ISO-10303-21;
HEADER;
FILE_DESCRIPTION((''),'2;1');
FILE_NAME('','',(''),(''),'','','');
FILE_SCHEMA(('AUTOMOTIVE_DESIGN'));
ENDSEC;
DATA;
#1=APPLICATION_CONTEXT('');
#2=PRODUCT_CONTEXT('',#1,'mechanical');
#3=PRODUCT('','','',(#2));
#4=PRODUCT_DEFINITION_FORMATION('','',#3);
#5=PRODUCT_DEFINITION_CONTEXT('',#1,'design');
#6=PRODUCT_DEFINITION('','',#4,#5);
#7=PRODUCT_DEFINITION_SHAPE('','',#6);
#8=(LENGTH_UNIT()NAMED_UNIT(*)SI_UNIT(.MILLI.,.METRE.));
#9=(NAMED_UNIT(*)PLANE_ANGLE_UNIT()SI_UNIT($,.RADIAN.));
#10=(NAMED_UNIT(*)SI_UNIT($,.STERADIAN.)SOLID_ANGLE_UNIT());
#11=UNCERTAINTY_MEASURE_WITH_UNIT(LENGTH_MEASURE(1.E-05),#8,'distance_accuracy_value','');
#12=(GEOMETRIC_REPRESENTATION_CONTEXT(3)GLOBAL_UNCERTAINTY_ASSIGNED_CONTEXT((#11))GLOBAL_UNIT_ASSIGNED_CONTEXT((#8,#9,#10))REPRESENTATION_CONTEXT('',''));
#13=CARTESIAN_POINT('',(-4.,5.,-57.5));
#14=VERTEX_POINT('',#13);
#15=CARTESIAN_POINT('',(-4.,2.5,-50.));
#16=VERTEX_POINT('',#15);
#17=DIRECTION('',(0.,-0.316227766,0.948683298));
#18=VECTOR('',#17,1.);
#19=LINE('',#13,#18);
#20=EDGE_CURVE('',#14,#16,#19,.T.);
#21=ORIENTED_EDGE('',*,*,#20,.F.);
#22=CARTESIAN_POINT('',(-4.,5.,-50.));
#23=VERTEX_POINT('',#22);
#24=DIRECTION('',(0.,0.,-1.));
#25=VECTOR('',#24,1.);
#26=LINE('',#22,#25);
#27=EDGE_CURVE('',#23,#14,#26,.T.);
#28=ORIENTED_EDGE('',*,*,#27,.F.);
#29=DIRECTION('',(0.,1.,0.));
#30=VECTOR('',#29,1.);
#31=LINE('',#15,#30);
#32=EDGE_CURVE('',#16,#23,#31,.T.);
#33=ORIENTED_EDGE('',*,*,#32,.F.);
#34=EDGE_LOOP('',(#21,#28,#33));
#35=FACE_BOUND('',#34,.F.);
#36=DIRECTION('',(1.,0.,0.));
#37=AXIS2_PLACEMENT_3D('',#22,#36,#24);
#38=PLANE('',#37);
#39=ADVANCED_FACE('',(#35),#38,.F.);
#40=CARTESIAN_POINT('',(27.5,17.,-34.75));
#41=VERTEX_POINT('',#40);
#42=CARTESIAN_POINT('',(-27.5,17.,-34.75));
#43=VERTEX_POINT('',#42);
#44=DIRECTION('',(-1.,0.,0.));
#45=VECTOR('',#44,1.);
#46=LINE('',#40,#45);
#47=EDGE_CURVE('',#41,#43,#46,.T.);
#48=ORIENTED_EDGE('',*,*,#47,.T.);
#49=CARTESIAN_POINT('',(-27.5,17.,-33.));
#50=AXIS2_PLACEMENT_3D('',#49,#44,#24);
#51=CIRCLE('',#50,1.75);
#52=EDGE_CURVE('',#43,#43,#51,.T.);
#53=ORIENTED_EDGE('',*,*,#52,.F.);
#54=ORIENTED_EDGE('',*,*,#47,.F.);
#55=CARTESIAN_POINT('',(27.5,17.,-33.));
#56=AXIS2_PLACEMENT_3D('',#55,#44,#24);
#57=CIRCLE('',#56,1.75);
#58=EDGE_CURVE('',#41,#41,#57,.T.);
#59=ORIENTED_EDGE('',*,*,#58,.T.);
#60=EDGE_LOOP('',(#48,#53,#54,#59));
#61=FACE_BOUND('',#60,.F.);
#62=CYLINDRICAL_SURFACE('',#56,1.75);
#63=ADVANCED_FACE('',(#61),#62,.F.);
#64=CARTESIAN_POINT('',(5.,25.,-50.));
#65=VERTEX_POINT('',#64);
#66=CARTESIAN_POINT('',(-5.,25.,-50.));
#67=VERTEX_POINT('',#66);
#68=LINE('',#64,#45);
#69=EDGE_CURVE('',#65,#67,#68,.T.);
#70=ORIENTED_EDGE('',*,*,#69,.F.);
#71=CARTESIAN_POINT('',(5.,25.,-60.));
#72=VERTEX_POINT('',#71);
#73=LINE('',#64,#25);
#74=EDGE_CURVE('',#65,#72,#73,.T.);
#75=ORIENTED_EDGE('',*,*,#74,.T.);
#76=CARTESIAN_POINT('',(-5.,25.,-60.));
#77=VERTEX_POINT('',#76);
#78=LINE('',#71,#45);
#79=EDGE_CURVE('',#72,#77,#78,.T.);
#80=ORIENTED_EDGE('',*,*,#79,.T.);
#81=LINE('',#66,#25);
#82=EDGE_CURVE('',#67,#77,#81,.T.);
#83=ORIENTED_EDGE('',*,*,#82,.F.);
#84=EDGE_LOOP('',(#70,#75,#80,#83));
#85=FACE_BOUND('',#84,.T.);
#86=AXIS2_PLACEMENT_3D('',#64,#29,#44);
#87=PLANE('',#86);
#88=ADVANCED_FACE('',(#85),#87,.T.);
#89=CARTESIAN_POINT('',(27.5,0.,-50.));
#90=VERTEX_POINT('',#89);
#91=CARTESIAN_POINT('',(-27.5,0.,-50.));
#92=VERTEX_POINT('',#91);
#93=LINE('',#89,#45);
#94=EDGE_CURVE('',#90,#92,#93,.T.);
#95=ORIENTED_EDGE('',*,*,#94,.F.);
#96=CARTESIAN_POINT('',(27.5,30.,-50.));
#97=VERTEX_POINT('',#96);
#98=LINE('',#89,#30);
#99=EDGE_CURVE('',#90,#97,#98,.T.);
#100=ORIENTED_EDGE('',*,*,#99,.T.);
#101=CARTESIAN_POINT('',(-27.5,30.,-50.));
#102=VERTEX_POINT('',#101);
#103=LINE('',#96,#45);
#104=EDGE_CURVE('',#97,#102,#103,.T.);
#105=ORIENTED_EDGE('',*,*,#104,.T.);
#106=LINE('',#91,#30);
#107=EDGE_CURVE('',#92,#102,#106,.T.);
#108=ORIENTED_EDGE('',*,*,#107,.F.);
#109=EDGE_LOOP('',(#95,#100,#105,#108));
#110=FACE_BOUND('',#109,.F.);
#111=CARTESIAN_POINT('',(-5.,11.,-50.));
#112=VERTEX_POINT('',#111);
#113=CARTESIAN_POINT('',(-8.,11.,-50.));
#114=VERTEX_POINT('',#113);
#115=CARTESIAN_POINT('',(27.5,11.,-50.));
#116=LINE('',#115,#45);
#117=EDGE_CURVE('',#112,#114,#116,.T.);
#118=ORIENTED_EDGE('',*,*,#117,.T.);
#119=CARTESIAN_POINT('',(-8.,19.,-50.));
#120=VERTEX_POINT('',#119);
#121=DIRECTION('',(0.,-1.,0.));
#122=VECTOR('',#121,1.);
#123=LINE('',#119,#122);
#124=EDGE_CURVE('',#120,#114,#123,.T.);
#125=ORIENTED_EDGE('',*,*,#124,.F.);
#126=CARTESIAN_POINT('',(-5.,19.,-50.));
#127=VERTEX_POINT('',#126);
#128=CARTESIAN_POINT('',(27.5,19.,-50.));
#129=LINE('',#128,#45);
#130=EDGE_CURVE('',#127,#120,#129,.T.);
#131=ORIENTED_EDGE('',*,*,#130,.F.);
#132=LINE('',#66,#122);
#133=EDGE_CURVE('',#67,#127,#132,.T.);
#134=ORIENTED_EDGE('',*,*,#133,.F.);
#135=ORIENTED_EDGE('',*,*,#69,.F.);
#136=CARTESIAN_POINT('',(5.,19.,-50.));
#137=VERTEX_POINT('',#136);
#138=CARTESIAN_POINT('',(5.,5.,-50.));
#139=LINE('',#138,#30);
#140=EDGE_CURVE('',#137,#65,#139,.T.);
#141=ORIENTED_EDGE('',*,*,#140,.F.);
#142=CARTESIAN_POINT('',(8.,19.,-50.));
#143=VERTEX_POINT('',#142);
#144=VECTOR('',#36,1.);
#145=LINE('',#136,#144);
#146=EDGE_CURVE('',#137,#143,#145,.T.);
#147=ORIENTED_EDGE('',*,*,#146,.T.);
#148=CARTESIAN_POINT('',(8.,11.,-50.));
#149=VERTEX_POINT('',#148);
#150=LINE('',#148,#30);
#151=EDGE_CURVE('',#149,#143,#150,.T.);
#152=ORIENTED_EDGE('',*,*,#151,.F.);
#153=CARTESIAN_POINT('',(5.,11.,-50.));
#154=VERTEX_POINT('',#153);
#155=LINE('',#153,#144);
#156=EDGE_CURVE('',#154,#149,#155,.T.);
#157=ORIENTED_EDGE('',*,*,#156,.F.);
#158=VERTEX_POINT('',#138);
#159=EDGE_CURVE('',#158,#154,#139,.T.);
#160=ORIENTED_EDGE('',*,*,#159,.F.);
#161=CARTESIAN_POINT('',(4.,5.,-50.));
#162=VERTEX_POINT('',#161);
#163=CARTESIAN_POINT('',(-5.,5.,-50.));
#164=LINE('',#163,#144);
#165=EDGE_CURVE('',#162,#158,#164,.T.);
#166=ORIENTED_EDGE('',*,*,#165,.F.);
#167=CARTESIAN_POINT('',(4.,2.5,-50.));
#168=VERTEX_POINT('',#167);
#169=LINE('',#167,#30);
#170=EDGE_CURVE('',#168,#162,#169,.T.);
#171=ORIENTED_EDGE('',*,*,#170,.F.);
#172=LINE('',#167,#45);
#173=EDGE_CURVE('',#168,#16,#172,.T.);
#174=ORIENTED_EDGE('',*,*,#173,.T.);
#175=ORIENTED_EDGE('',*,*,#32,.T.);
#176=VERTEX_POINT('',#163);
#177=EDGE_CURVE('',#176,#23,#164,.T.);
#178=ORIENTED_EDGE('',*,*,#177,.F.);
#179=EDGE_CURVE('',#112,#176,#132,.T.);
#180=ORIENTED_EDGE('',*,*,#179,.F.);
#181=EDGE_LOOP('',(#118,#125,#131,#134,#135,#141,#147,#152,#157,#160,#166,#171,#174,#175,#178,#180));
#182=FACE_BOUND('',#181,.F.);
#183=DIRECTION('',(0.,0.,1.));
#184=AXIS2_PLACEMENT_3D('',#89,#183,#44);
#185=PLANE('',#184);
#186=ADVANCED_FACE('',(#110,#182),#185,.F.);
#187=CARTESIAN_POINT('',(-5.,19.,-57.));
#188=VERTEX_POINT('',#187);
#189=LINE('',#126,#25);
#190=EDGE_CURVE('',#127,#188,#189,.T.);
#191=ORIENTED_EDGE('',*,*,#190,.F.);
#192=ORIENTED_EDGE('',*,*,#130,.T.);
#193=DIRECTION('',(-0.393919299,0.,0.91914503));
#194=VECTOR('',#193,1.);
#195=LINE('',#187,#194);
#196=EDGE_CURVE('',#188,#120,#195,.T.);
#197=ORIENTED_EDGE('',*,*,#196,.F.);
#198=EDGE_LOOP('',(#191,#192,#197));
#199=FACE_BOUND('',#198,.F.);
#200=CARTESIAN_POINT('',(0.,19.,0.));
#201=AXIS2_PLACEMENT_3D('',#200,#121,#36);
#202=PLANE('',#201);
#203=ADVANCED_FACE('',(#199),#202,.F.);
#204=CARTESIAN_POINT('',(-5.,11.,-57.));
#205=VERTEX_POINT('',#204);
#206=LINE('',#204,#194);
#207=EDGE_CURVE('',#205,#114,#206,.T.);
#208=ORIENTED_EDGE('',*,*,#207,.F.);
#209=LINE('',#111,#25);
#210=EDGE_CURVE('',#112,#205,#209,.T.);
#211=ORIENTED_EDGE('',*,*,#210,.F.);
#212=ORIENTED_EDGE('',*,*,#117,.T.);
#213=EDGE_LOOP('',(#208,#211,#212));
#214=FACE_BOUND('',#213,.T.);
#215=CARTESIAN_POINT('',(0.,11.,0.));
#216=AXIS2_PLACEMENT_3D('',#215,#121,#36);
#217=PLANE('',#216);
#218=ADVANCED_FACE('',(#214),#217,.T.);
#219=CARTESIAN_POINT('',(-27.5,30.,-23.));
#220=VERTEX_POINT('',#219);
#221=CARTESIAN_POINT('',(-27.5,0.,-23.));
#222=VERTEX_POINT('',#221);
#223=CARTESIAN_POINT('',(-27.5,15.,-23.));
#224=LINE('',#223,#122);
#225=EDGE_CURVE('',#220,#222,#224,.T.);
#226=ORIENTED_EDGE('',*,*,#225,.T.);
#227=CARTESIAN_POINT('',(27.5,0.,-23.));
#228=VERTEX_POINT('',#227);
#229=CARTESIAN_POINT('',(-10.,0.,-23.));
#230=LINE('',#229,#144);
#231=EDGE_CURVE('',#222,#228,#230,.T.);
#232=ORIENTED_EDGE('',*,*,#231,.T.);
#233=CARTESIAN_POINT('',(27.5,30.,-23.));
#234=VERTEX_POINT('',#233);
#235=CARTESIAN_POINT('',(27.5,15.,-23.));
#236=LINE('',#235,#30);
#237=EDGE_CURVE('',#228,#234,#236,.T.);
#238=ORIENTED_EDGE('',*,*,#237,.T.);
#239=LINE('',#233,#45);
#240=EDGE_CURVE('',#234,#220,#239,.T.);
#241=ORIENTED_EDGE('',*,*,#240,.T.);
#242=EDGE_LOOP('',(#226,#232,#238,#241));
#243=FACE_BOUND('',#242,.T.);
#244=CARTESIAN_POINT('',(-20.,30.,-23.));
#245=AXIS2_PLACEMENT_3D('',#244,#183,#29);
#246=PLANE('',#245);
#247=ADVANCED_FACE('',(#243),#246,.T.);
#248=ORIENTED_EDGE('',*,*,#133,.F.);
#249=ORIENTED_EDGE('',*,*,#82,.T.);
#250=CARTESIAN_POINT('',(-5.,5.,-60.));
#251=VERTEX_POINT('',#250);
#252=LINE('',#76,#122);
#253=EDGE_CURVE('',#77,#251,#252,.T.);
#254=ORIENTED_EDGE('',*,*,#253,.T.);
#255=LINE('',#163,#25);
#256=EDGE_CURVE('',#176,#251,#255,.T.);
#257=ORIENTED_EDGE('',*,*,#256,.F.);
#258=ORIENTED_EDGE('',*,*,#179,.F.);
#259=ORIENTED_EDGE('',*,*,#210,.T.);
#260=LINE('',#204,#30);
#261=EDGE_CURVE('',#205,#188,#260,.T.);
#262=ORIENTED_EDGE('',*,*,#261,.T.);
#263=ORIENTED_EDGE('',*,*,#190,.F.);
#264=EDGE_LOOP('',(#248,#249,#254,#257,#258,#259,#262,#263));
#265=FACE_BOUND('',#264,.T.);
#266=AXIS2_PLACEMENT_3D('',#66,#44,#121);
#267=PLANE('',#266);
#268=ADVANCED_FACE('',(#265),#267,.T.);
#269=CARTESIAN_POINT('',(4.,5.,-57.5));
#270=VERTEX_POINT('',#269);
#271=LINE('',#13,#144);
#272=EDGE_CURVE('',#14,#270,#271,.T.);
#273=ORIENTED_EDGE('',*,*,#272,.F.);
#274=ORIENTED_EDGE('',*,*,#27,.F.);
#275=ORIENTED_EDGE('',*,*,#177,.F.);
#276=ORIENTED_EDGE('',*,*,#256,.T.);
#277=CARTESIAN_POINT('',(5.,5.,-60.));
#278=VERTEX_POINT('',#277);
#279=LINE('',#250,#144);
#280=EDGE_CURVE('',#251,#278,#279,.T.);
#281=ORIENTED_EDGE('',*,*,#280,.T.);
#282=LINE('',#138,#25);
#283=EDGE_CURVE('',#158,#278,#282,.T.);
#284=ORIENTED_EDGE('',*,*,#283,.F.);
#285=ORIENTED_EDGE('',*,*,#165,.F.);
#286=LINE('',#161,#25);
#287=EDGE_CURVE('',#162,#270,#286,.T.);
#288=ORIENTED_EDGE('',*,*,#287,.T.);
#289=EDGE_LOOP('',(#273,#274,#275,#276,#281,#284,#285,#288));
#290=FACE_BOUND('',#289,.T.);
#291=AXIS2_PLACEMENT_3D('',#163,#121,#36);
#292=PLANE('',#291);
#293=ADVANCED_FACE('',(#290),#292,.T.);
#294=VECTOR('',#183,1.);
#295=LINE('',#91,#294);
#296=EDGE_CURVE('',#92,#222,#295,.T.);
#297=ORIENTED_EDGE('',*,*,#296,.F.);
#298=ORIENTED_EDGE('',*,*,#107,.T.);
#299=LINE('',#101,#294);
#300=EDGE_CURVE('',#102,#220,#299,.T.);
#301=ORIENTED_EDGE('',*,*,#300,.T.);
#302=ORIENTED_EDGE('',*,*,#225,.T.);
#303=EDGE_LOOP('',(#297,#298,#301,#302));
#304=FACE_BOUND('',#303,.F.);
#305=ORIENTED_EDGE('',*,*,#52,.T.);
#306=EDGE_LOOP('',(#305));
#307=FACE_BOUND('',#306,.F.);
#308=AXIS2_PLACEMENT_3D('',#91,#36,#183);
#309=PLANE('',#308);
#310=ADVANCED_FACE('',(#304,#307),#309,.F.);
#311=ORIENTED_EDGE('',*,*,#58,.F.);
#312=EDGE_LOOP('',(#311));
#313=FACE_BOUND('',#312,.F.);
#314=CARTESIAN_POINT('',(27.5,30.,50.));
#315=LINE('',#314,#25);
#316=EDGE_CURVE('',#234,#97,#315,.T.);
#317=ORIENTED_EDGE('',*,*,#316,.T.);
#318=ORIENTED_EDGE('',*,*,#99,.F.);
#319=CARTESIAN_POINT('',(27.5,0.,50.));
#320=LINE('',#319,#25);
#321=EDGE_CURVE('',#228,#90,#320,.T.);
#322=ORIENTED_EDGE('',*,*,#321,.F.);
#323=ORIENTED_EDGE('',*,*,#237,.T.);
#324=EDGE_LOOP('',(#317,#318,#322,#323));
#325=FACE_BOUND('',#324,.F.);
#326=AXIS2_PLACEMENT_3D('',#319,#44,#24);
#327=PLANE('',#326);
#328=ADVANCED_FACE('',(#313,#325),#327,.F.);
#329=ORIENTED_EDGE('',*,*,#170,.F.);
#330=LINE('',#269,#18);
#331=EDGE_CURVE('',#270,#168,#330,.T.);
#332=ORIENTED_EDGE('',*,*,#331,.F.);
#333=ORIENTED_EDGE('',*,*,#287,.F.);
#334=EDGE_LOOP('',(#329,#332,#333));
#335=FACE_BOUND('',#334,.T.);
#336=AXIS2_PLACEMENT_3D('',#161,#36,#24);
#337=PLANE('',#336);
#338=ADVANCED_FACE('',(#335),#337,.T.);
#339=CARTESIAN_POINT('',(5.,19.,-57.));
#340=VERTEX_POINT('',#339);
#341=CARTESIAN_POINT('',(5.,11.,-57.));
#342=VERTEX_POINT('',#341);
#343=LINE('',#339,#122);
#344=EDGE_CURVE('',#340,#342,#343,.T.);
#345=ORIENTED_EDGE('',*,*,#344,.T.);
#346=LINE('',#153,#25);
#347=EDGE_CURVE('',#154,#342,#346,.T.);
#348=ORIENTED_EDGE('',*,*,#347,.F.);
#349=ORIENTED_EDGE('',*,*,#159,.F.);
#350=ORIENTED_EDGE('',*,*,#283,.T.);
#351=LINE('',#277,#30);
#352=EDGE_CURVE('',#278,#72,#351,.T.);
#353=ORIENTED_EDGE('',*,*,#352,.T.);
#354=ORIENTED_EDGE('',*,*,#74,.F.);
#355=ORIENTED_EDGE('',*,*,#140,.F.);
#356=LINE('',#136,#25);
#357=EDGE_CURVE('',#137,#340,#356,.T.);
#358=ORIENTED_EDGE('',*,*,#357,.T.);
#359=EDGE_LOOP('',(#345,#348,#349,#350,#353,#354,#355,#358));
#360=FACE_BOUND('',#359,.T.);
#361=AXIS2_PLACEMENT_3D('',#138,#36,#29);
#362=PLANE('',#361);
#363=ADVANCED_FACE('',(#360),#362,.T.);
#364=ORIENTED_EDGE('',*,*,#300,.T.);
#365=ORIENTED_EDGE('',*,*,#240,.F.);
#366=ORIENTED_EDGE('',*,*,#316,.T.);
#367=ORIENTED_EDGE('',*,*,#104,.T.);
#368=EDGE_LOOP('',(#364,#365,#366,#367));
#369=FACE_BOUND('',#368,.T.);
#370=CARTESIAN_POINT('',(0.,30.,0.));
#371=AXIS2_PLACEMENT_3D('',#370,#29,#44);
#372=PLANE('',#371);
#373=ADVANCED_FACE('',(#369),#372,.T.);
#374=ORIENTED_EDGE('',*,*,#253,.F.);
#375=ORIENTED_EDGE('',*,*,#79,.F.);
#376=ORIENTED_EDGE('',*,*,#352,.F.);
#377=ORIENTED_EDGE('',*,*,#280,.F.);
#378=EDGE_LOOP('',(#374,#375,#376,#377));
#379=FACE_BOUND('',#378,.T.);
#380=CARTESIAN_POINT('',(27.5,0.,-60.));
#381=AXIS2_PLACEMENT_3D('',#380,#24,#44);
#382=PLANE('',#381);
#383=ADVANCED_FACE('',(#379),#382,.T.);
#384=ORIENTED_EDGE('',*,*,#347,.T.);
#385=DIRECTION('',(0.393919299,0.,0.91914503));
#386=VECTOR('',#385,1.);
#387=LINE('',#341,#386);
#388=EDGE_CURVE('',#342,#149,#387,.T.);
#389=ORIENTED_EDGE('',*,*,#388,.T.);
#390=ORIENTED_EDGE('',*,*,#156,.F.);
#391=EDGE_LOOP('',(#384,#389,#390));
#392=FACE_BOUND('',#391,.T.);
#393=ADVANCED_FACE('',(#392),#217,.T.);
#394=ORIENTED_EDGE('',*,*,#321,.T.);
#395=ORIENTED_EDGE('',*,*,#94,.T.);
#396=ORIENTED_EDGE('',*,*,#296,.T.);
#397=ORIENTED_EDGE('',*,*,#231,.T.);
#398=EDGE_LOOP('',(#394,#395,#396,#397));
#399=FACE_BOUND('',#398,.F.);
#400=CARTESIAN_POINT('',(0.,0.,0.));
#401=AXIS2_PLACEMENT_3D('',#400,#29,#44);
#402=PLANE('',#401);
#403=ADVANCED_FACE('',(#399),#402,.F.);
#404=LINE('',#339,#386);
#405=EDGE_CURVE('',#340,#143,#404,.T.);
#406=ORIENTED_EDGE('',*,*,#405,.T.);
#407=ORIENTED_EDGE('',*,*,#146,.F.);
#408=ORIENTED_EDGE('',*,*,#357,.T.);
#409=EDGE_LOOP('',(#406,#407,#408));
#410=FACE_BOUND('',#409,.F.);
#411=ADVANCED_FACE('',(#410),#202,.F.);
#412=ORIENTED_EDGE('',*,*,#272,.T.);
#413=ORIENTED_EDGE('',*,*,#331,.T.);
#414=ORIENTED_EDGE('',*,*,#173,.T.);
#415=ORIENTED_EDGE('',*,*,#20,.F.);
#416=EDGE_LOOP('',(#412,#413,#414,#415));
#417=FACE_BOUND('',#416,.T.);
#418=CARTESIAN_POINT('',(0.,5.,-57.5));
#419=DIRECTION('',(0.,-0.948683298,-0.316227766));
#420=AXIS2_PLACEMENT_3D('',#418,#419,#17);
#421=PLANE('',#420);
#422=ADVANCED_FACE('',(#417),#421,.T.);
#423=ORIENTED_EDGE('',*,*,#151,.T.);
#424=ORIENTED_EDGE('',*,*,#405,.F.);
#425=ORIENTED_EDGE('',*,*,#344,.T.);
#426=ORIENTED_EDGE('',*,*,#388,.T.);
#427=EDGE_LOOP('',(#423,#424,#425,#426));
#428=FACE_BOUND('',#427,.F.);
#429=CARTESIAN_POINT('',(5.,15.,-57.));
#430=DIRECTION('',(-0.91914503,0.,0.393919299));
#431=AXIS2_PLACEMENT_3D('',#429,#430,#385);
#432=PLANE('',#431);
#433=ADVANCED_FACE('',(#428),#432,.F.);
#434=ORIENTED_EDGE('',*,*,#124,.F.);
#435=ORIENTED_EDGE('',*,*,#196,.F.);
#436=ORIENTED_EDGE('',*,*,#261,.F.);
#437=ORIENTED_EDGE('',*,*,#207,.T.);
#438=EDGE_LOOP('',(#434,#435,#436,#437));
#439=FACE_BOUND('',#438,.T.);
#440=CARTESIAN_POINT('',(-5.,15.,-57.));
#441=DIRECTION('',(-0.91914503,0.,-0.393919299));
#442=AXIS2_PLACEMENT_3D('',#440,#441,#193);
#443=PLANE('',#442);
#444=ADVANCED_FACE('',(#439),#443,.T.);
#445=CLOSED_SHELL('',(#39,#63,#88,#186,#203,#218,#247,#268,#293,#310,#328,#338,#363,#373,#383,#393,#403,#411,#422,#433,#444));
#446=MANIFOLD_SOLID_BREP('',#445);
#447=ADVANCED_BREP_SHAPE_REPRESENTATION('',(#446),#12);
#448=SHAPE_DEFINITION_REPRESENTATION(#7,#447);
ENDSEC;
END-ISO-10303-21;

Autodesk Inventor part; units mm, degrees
ref_plane "YZ Plane" through (0, 0, 0) normal (1, 0, 0) x (0, 1, 0)
sketch "Boceto1" plane through (0, 0, 0) normal (0, 1, 0) x (-1, 0, 0)
  line L0 (27.5, 50) -> (-27.5, 50)
  line L1 (-27.5, 50) -> (-27.5, -50)
  line L2 (-27.5, -50) -> (27.5, -50)
  line L3 (27.5, -50) -> (27.5, 50)
  line L4 (27.5, 50) -> (-27.5, -50) construction
  line L5 (-27.5, 50) -> (27.5, -50) construction
  point P0 (0, 0)
  dimension "d0" = 55
  dimension "d1" = 100
extrude "Extrusión1" add sketch "Boceto1" along normal blind 30
sketch "Boceto2" plane through (27.5, 0, -50) normal (0, 0, -1) x (-1, 0, 0)
  line L0 (22.5, 25) -> (32.5, 25)
  line L1 (32.5, 25) -> (32.5, 5)
  line L2 (32.5, 5) -> (22.5, 5)
  line L3 (22.5, 5) -> (22.5, 25)
  line L4 (22.5, 25) -> (32.5, 5) construction
  line L5 (32.5, 25) -> (22.5, 5) construction
  line L6 (0, 30) -> (55, 30) projected
  line L7 (0, 0) -> (0, 30) projected
  line L8 (55, 0) -> (55, 30) projected
  point P0 (27.5, 0)
  point P1 (27.5, 15)
  point P2 (27.5, 25)
  dimension "d4" = 10
  dimension "d5" = 20
  dimension "d6" = 5
  dimension "d7" = 22.5
  dimension "d24" = 22.5
extrude "Extrusión2" add sketch "Boceto2" along normal blind 10
sketch "Boceto3" plane through (-27.5, 0, 50) normal (0, 0, 1) x (1, 0, 0)
  circle A0 centre (27.5, 20) radius 5
  line L0 (0, 30) -> (55, 30) projected
  point P0 (27.5, 0)
  point P1 (27.5, 30)
  dimension "d10" = 10
  dimension "d11" = 10
extrude "Extrusión3" cut sketch "Boceto3" against normal blind 15
sketch "Boceto4" plane through (0, 30, 0) normal (0, 1, 0) x (1, 0, 0)
  line L0 (-20, 23) -> (20, 23)
  line L1 (20, 23) -> (20, -23)
  line L2 (20, -23) -> (-20, -23)
  line L3 (-20, -23) -> (-20, 23)
  line L4 (-20, 23) -> (20, -23) construction
  line L5 (20, 23) -> (-20, -23) construction
  point P0 (0, 0)
  dimension "d14" = 40
  dimension "d15" = 46
extrude "Extrusión4" cut sketch "Boceto4" against normal blind 20
ref_plane "Plano de trabajo1" through (0, 5, -50) normal (1, 0, 0) x (0, 0, -1)
sketch "Boceto5" plane through (0, 5, -50) normal (1, 0, 0) x (0, 0, -1)
  line L0 (7.5, 0) -> (0, -2.5)
  line L1 (0, -2.5) -> (0, 0)
  line L2 (0, 0) -> (7.5, 0)
  point P0 (-50, -5)
  point P1 (0, -5)
  point P2 (10, 0)
  dimension "d25" = 2.5
  dimension "d26" = 2.5
extrude "Extrusión5" add sketch "Boceto5" along normal mid plane 8
ref_plane "Plano de trabajo2" through (0, 15, 0) normal (0, -1, 0) x (1, 0, 0)
sketch "Boceto6" plane through (0, 15, 0) normal (0, -1, 0) x (1, 0, 0)
  line L0 (5, -50) -> (8, -50)
  line L1 (27.5, -50) -> (-27.5, -50)
  line L2 (5, -57) -> (8, -50)
  line L3 (4, -50) -> (5, -50) projected
  line L4 (5, -50) -> (5, -57)
  line L5 (0, -50.2371) -> (0, -56.5746)
  line L6 (-5, -50) -> (-8, -50)
  line L7 (-27.5, -50) -> (27.5, -50)
  line L8 (-5, -57) -> (-8, -50)
  line L9 (-4, -50) -> (-5, -50)
  line L10 (-5, -50) -> (-5, -57)
  point P0 (0, 0)
  point P1 (5, -60)
  point P2 (-5, -60)
  dimension "d29" = 3
  dimension "d30" = 3
extrude "Extrusión6" add sketch "Boceto6" along normal mid plane 8
sketch "Boceto7" plane through (27.5, 0, 50) normal (1, 0, 0) x (0, 0, -1)
  point P0 (50, 0)
ref_plane "Plano de trabajo4" through (-20, 30, -23) normal (0, 0, 1) x (1, 0, 0)
sketch "Boceto8" plane through (27.5, 0, 50) normal (1, 0, 0) x (0, 0, -1)
  line L0 (58, 22) -> (88, 22)
  circle A0 centre (83, 17) radius 1.75
  line L1 (63, 17) -> (83, 17)
  line L2 (88, 22) -> (88, 12)
  circle A1 centre (63, 17) radius 1.75
  line L3 (58, 12) -> (88, 22) construction
  line L4 (58, 22) -> (88, 12) construction
  line L5 (58, 12) -> (58, 22)
  line L6 (88, 12) -> (58, 12)
  line L7 (73, 30) -> (73, 10) projected
  line L8 (0, 30) -> (100, 30) projected
  point P0 (50, 0)
  point P1 (72.9522, 12.5553)
  point P2 (57.9522, 14.5161)
  point P3 (72.9522, 12.5553)
  point P4 (88, 17)
  dimension "d34" = 10
  dimension "d35" = 30
  dimension "d36" = 5
  dimension "d37" = 5
  dimension "d38" = 5
  dimension "d39" = 5
  dimension "d40" = 10
  dimension "d41" = 8
hole "Agujero1" at (27.5, 17, -13) at (27.5, 17, -33) direction (-1, 0, 0) diameter 3.5 end through all
split "Dividir1" plane through (-20, 30, -23) removes the side toward (0, 0, 1)
properties part number "camera_support_2_1"
